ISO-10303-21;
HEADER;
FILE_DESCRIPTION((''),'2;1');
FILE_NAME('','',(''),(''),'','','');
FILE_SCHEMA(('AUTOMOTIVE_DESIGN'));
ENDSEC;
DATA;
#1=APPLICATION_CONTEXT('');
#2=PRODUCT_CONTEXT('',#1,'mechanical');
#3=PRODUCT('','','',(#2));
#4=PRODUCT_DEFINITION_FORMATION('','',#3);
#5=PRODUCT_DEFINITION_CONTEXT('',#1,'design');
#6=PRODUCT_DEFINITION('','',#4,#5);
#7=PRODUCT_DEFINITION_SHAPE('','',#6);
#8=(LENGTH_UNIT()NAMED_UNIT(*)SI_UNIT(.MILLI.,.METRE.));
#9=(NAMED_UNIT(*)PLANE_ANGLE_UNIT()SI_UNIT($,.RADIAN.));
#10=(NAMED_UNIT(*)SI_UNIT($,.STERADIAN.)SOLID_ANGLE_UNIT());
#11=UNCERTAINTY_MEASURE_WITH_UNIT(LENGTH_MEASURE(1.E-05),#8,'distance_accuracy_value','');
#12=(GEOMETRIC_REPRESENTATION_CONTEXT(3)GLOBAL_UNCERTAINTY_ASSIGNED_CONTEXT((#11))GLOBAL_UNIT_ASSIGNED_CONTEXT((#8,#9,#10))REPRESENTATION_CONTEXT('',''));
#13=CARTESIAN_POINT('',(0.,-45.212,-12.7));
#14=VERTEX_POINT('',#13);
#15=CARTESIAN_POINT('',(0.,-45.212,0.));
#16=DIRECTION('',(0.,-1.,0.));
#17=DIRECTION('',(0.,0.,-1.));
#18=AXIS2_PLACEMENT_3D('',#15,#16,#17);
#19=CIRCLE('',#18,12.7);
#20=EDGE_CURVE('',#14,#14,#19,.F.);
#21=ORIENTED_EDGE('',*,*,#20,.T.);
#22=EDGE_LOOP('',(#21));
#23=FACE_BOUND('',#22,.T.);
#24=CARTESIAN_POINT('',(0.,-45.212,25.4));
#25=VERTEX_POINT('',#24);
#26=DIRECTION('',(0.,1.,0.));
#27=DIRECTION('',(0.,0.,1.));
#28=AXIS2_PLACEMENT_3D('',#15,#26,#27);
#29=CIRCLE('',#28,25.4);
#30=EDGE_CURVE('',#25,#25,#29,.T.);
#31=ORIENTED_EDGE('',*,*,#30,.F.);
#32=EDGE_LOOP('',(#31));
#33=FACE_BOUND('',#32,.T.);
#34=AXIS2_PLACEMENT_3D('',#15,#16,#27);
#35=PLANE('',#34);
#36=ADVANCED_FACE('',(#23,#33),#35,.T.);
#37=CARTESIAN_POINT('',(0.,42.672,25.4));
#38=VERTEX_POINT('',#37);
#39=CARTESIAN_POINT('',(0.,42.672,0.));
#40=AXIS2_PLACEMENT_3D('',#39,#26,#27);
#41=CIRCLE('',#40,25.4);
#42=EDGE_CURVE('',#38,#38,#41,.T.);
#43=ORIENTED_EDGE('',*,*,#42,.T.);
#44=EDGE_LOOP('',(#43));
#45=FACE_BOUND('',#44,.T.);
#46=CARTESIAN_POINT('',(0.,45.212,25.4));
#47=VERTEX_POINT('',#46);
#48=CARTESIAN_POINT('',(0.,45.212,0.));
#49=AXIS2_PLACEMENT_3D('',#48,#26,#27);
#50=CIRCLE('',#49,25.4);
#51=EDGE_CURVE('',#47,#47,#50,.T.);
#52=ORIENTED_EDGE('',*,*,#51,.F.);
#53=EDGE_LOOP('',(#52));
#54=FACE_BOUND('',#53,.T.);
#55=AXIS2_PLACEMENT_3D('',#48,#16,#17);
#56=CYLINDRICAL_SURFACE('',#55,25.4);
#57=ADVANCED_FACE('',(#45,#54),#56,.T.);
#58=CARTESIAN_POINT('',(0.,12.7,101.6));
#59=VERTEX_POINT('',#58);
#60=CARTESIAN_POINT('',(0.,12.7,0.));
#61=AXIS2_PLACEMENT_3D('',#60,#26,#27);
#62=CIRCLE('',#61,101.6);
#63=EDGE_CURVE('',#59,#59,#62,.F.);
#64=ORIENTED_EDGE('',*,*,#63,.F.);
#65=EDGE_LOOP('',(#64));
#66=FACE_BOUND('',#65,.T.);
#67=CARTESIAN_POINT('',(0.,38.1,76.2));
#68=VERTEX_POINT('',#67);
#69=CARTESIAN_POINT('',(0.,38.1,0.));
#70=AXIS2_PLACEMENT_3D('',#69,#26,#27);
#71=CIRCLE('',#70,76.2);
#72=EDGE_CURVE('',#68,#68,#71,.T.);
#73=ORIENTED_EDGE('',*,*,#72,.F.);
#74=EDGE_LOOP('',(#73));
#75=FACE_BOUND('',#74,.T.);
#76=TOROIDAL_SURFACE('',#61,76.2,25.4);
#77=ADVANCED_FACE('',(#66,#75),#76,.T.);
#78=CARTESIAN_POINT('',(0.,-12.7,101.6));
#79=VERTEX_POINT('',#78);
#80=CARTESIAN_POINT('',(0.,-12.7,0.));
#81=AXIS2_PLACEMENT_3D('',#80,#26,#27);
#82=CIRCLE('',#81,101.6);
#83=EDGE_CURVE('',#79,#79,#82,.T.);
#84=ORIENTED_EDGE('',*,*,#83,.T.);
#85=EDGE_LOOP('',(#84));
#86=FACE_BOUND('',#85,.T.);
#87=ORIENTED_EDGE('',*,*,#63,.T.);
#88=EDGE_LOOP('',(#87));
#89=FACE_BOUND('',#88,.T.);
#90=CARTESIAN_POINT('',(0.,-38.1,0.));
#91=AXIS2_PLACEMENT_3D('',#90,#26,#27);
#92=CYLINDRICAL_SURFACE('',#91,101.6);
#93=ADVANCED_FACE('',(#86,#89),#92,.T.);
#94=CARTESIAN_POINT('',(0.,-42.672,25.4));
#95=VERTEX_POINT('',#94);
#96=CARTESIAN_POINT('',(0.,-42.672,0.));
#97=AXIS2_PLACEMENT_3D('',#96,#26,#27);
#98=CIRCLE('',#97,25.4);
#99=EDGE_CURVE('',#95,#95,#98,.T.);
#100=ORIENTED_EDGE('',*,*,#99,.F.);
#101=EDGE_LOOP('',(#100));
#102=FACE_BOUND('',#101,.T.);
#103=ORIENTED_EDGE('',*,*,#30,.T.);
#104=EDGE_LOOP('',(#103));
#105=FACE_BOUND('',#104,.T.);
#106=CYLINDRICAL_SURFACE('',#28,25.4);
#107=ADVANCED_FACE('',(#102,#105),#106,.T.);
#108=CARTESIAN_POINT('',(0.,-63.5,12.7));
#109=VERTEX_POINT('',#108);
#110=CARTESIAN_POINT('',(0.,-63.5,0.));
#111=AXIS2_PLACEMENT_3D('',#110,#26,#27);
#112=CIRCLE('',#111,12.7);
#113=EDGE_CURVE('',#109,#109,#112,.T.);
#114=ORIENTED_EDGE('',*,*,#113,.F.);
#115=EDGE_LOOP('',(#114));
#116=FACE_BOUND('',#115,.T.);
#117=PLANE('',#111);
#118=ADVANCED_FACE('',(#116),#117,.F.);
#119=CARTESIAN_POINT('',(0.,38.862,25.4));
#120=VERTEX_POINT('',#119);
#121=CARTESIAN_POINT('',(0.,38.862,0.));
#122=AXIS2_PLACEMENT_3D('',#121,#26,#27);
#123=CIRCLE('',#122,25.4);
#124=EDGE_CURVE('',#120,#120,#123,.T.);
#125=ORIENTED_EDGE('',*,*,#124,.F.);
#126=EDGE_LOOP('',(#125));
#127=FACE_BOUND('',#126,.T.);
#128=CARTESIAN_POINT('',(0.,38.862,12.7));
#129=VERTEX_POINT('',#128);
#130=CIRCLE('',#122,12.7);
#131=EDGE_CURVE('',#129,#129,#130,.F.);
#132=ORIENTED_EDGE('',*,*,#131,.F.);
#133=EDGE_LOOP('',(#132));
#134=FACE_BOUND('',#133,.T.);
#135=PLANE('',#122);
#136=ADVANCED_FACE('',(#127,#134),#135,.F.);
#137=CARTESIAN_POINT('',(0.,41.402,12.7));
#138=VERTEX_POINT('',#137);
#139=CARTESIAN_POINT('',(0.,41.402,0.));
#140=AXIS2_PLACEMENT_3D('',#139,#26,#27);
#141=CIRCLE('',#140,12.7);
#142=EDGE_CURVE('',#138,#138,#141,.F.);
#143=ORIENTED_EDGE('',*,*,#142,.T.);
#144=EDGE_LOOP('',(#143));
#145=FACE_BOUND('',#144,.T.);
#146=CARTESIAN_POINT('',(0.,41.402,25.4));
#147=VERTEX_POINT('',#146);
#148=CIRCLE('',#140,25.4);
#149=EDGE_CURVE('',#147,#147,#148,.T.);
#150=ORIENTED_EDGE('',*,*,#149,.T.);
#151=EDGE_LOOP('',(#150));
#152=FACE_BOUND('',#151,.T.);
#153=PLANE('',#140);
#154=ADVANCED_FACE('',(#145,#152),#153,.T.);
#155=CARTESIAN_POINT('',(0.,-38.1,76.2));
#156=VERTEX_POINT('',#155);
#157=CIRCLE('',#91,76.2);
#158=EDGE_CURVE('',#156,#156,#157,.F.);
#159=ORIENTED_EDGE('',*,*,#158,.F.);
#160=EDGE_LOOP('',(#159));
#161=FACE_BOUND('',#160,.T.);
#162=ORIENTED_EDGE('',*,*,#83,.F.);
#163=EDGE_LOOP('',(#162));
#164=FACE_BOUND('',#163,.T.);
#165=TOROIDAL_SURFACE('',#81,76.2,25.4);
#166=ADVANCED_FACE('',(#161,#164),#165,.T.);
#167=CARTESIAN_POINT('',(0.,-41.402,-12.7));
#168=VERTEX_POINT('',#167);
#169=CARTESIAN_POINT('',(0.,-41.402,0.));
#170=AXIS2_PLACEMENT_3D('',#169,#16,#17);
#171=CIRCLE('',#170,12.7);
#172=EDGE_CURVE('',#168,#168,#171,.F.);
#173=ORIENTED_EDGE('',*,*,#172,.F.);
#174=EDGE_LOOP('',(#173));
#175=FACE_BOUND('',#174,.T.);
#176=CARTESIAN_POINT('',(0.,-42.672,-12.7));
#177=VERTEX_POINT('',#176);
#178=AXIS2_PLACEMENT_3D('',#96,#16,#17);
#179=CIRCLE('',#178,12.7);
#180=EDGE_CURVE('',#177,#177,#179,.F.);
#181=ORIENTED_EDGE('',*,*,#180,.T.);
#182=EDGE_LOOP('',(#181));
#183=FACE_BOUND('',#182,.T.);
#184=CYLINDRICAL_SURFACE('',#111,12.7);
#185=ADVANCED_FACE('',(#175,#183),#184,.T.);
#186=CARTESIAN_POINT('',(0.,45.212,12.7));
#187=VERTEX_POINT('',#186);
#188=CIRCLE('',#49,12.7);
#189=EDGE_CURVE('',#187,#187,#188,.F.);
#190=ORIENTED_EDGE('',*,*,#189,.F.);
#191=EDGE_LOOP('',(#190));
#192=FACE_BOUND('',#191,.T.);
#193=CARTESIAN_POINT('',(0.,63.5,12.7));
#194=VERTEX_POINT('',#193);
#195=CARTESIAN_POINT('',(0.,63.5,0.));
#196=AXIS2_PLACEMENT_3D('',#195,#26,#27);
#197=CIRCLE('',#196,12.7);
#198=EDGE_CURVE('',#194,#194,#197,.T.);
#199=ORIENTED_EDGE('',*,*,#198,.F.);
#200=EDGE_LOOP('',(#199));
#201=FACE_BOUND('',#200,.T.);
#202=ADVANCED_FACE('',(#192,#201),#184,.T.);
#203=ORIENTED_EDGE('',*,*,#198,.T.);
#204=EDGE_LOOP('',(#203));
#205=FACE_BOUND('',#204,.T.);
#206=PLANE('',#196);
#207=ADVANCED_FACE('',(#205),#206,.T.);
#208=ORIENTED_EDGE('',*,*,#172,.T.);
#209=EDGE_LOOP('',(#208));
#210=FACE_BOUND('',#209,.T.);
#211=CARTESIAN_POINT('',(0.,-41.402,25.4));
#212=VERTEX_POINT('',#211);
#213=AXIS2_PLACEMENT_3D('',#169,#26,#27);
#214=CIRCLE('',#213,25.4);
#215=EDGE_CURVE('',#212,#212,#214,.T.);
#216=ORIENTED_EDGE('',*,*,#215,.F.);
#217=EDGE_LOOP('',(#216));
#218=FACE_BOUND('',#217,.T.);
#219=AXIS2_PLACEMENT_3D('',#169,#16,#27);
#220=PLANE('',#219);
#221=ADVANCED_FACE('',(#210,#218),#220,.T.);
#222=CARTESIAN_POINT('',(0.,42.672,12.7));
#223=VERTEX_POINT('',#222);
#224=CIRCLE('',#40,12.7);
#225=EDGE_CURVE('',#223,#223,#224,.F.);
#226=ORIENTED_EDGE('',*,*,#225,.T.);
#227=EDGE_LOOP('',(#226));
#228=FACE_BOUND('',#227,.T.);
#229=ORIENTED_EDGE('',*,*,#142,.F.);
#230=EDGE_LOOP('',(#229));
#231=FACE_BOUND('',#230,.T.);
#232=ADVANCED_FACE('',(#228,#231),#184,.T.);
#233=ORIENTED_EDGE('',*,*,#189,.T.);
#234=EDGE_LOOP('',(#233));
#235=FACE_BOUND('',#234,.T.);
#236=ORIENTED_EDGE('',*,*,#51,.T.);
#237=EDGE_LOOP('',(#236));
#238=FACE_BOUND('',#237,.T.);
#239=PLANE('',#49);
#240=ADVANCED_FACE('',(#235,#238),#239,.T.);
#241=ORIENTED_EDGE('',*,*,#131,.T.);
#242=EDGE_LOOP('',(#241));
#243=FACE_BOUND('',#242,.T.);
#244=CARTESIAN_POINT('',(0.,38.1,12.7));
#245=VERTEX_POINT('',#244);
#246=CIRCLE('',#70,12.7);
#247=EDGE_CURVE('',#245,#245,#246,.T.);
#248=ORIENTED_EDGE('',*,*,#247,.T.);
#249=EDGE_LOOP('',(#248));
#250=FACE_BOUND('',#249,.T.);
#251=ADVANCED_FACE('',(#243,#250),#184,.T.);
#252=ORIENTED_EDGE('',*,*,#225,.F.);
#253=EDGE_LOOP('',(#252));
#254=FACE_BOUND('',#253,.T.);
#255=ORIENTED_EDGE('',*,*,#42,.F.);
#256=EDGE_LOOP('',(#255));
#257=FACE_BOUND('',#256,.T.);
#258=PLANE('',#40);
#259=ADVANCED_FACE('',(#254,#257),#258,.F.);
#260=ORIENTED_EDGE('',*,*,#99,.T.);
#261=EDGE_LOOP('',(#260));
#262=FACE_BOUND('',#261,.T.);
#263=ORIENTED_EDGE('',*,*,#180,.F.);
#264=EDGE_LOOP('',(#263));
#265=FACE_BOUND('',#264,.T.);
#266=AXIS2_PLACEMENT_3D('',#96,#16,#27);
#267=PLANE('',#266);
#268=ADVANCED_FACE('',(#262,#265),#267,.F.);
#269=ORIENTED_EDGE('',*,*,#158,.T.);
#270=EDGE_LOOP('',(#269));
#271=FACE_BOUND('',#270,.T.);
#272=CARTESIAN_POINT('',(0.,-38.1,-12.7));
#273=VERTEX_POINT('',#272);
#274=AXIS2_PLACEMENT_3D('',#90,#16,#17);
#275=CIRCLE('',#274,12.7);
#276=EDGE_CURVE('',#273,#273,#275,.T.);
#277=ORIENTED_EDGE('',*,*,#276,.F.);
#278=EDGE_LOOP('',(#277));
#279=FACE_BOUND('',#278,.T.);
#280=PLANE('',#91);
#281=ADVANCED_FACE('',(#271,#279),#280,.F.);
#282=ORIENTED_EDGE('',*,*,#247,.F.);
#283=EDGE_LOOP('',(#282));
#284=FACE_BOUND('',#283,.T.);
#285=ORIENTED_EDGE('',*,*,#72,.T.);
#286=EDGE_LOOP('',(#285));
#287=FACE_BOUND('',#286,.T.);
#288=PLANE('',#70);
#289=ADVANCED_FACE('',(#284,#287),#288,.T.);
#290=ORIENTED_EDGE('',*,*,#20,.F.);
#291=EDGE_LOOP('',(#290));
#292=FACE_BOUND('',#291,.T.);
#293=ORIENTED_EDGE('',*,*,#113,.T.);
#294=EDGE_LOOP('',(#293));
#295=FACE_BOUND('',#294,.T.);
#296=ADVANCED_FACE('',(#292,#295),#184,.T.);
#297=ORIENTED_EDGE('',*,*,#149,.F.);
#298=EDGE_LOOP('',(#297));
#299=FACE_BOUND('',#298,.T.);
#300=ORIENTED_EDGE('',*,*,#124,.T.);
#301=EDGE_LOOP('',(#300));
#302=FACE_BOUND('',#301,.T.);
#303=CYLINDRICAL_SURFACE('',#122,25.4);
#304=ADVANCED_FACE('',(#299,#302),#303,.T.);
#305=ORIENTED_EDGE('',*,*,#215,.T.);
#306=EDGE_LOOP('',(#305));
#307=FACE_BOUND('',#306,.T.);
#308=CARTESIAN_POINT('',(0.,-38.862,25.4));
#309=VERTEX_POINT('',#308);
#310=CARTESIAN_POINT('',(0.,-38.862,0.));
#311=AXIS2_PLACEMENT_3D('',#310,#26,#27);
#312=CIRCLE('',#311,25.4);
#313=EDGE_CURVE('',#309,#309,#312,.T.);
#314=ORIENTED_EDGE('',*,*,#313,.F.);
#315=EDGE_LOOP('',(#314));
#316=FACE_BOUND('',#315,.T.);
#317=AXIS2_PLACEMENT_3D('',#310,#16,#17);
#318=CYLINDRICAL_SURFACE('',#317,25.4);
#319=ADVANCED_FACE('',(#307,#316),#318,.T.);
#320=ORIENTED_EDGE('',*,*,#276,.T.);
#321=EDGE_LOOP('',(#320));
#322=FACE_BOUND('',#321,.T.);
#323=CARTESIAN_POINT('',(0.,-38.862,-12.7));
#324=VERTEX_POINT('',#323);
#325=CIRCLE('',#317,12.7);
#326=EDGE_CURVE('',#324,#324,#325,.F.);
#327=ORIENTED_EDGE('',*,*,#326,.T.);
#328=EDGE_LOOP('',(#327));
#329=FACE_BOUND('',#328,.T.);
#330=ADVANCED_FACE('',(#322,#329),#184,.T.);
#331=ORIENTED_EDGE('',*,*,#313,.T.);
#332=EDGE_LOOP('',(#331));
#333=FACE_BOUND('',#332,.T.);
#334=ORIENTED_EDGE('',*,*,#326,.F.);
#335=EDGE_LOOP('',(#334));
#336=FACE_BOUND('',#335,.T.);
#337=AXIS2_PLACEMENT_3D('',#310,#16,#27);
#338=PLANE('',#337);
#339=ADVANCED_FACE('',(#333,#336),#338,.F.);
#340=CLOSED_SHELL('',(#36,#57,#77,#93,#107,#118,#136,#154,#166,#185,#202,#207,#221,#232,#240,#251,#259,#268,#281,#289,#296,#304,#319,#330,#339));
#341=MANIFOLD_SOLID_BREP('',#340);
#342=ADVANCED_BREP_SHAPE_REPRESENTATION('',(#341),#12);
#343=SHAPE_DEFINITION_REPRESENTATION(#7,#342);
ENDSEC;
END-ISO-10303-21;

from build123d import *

# Parameters (mm, degrees)
BOSS_EXTRUDE1_DEPTH      = 38.1
BOSS_EXTRUDE1_DEPTH_BACK = 38.1
SKETCH1_R                = 101.6
SKETCH2_R                = 12.7
CUT_EXTRUDE1_DEPTH       = 76.2
FILLET1_R                = 25.4
BOSS_EXTRUDE2_DEPTH      = 63.5
BOSS_EXTRUDE2_DEPTH_BACK = 63.5
SKETCH3_R                = 12.7
SKETCH4_R                = 25.4
BOSS_EXTRUDE3_DEPTH      = 2.54
BOSS_EXTRUDE4_START      = -2.54
SKETCH5_R                = 25.4
BOSS_EXTRUDE4_DEPTH      = 2.54


with BuildPart() as part:
    # Sketch1 → Boss-Extrude1 (new, two sides: drawn at the far end of the back side and taken through both)
    with BuildSketch(Plane(origin=(0, 0, 0), x_dir=(1, 0, 0), z_dir=(0, 1, 0)).offset(-BOSS_EXTRUDE1_DEPTH_BACK)):
        Circle(SKETCH1_R)
    extrude(amount=BOSS_EXTRUDE1_DEPTH + BOSS_EXTRUDE1_DEPTH_BACK)

    # Sketch2 → Cut-Extrude1 (cut)
    with BuildSketch(Plane.XZ.offset(38.1)):
        Circle(SKETCH2_R)
    extrude(amount=-CUT_EXTRUDE1_DEPTH, mode=Mode.SUBTRACT)

    # Fillet1
    fillet1_edges = [part.edges().sort_by_distance(p)[0] for p in [
        (-101.6, 38.1, 0),
        (-101.6, -38.1, 0),
    ]]
    fillet(fillet1_edges, radius=FILLET1_R)

    # Sketch3 → Boss-Extrude2 (add, two sides: drawn at the far end of the back side and taken through both)
    with BuildSketch(Plane(origin=(0, 0, 0), x_dir=(1, 0, 0), z_dir=(0, 1, 0)).offset(-BOSS_EXTRUDE2_DEPTH_BACK)):
        Circle(SKETCH3_R)
    extrude(amount=BOSS_EXTRUDE2_DEPTH + BOSS_EXTRUDE2_DEPTH_BACK)

    # Sketch4 → Boss-Extrude3 (add)
    with BuildSketch(Plane(origin=(0, 42.672, 0), x_dir=(1, 0, 0), z_dir=(0, 1, 0))):
        Circle(SKETCH4_R)
    boss_extrude3 = extrude(amount=BOSS_EXTRUDE3_DEPTH)

    # Sketch5 → Boss-Extrude4 (add)
    with BuildSketch(Plane(origin=(0, 41.402, 0), x_dir=(1, 0, 0), z_dir=(0, 1, 0)).offset(BOSS_EXTRUDE4_START)):
        Circle(SKETCH5_R)
    boss_extrude4 = extrude(amount=BOSS_EXTRUDE4_DEPTH)

    # Mirror1: Boss-Extrude3, Boss-Extrude4 across plane
    add(boss_extrude3.mirror(Plane.ZX))
    add(boss_extrude4.mirror(Plane.ZX))


solid = part.part
